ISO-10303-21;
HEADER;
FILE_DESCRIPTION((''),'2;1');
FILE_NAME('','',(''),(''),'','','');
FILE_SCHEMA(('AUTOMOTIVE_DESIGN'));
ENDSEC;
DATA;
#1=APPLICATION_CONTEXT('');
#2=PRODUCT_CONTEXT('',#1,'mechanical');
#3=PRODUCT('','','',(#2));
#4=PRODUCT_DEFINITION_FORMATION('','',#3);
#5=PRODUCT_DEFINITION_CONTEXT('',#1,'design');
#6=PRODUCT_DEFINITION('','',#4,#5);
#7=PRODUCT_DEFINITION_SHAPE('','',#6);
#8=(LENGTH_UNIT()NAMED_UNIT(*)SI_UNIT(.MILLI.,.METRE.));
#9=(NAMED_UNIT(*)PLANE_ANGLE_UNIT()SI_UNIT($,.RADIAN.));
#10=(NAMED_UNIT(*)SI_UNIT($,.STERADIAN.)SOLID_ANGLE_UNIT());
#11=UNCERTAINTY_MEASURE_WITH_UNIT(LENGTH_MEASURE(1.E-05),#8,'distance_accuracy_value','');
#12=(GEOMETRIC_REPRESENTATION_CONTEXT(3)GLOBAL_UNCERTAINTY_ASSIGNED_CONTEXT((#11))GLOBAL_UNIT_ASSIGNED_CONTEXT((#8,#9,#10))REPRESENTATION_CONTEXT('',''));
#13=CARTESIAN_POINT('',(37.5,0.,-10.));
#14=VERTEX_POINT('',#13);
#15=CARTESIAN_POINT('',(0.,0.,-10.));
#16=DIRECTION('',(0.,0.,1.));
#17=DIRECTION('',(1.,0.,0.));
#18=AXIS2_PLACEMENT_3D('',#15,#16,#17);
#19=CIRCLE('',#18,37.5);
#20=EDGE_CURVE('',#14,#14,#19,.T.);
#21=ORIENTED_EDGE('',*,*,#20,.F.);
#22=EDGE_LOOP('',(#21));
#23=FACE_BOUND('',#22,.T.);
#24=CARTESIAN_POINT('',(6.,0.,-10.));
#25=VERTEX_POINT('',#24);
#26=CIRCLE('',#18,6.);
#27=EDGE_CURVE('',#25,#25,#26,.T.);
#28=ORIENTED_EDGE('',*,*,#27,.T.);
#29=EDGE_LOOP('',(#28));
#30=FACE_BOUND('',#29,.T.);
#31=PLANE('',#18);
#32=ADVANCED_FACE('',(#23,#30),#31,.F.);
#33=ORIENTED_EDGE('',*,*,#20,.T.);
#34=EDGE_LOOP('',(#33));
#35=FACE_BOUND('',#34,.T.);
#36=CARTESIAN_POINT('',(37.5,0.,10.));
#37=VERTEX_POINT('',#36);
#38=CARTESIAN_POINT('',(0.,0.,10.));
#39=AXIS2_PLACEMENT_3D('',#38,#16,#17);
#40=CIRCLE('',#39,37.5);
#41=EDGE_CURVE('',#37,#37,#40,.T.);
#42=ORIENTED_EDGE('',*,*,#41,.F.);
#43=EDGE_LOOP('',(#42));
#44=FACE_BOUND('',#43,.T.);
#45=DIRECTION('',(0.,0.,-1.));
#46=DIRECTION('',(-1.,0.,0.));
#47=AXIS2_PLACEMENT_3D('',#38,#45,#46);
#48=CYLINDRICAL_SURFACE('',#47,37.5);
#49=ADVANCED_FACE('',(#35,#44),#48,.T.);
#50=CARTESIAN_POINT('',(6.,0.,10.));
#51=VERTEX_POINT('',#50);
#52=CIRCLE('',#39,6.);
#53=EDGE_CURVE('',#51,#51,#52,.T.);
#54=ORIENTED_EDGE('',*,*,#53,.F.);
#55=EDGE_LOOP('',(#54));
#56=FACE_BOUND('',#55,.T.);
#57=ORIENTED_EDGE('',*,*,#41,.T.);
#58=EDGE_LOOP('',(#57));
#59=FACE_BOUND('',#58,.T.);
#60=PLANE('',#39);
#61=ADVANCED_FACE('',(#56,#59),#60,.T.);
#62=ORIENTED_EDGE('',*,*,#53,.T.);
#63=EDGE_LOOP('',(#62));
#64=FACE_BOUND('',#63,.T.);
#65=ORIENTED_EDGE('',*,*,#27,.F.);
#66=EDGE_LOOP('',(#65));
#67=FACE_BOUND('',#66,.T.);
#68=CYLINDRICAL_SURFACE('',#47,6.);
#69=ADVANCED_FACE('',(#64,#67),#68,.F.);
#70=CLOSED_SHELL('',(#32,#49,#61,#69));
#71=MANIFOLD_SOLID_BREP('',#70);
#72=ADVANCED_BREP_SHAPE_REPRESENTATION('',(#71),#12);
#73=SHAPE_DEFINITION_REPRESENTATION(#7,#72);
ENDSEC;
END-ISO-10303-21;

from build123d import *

# Parameters (mm, degrees)
SZKIC1_R                    = 37.5
SZKIC1_R_2                  = 6
DODANIE_WYCI_GNI_CIE1_DEPTH = 10


with BuildPart() as part:
    # Szkic1 → Dodanie-wyciągnięcie1 (new, symmetric)
    with BuildSketch(Plane.XY):
        Circle(SZKIC1_R)
        Circle(SZKIC1_R_2, mode=Mode.SUBTRACT)
    extrude(amount=DODANIE_WYCI_GNI_CIE1_DEPTH, both=True)


solid = part.part
